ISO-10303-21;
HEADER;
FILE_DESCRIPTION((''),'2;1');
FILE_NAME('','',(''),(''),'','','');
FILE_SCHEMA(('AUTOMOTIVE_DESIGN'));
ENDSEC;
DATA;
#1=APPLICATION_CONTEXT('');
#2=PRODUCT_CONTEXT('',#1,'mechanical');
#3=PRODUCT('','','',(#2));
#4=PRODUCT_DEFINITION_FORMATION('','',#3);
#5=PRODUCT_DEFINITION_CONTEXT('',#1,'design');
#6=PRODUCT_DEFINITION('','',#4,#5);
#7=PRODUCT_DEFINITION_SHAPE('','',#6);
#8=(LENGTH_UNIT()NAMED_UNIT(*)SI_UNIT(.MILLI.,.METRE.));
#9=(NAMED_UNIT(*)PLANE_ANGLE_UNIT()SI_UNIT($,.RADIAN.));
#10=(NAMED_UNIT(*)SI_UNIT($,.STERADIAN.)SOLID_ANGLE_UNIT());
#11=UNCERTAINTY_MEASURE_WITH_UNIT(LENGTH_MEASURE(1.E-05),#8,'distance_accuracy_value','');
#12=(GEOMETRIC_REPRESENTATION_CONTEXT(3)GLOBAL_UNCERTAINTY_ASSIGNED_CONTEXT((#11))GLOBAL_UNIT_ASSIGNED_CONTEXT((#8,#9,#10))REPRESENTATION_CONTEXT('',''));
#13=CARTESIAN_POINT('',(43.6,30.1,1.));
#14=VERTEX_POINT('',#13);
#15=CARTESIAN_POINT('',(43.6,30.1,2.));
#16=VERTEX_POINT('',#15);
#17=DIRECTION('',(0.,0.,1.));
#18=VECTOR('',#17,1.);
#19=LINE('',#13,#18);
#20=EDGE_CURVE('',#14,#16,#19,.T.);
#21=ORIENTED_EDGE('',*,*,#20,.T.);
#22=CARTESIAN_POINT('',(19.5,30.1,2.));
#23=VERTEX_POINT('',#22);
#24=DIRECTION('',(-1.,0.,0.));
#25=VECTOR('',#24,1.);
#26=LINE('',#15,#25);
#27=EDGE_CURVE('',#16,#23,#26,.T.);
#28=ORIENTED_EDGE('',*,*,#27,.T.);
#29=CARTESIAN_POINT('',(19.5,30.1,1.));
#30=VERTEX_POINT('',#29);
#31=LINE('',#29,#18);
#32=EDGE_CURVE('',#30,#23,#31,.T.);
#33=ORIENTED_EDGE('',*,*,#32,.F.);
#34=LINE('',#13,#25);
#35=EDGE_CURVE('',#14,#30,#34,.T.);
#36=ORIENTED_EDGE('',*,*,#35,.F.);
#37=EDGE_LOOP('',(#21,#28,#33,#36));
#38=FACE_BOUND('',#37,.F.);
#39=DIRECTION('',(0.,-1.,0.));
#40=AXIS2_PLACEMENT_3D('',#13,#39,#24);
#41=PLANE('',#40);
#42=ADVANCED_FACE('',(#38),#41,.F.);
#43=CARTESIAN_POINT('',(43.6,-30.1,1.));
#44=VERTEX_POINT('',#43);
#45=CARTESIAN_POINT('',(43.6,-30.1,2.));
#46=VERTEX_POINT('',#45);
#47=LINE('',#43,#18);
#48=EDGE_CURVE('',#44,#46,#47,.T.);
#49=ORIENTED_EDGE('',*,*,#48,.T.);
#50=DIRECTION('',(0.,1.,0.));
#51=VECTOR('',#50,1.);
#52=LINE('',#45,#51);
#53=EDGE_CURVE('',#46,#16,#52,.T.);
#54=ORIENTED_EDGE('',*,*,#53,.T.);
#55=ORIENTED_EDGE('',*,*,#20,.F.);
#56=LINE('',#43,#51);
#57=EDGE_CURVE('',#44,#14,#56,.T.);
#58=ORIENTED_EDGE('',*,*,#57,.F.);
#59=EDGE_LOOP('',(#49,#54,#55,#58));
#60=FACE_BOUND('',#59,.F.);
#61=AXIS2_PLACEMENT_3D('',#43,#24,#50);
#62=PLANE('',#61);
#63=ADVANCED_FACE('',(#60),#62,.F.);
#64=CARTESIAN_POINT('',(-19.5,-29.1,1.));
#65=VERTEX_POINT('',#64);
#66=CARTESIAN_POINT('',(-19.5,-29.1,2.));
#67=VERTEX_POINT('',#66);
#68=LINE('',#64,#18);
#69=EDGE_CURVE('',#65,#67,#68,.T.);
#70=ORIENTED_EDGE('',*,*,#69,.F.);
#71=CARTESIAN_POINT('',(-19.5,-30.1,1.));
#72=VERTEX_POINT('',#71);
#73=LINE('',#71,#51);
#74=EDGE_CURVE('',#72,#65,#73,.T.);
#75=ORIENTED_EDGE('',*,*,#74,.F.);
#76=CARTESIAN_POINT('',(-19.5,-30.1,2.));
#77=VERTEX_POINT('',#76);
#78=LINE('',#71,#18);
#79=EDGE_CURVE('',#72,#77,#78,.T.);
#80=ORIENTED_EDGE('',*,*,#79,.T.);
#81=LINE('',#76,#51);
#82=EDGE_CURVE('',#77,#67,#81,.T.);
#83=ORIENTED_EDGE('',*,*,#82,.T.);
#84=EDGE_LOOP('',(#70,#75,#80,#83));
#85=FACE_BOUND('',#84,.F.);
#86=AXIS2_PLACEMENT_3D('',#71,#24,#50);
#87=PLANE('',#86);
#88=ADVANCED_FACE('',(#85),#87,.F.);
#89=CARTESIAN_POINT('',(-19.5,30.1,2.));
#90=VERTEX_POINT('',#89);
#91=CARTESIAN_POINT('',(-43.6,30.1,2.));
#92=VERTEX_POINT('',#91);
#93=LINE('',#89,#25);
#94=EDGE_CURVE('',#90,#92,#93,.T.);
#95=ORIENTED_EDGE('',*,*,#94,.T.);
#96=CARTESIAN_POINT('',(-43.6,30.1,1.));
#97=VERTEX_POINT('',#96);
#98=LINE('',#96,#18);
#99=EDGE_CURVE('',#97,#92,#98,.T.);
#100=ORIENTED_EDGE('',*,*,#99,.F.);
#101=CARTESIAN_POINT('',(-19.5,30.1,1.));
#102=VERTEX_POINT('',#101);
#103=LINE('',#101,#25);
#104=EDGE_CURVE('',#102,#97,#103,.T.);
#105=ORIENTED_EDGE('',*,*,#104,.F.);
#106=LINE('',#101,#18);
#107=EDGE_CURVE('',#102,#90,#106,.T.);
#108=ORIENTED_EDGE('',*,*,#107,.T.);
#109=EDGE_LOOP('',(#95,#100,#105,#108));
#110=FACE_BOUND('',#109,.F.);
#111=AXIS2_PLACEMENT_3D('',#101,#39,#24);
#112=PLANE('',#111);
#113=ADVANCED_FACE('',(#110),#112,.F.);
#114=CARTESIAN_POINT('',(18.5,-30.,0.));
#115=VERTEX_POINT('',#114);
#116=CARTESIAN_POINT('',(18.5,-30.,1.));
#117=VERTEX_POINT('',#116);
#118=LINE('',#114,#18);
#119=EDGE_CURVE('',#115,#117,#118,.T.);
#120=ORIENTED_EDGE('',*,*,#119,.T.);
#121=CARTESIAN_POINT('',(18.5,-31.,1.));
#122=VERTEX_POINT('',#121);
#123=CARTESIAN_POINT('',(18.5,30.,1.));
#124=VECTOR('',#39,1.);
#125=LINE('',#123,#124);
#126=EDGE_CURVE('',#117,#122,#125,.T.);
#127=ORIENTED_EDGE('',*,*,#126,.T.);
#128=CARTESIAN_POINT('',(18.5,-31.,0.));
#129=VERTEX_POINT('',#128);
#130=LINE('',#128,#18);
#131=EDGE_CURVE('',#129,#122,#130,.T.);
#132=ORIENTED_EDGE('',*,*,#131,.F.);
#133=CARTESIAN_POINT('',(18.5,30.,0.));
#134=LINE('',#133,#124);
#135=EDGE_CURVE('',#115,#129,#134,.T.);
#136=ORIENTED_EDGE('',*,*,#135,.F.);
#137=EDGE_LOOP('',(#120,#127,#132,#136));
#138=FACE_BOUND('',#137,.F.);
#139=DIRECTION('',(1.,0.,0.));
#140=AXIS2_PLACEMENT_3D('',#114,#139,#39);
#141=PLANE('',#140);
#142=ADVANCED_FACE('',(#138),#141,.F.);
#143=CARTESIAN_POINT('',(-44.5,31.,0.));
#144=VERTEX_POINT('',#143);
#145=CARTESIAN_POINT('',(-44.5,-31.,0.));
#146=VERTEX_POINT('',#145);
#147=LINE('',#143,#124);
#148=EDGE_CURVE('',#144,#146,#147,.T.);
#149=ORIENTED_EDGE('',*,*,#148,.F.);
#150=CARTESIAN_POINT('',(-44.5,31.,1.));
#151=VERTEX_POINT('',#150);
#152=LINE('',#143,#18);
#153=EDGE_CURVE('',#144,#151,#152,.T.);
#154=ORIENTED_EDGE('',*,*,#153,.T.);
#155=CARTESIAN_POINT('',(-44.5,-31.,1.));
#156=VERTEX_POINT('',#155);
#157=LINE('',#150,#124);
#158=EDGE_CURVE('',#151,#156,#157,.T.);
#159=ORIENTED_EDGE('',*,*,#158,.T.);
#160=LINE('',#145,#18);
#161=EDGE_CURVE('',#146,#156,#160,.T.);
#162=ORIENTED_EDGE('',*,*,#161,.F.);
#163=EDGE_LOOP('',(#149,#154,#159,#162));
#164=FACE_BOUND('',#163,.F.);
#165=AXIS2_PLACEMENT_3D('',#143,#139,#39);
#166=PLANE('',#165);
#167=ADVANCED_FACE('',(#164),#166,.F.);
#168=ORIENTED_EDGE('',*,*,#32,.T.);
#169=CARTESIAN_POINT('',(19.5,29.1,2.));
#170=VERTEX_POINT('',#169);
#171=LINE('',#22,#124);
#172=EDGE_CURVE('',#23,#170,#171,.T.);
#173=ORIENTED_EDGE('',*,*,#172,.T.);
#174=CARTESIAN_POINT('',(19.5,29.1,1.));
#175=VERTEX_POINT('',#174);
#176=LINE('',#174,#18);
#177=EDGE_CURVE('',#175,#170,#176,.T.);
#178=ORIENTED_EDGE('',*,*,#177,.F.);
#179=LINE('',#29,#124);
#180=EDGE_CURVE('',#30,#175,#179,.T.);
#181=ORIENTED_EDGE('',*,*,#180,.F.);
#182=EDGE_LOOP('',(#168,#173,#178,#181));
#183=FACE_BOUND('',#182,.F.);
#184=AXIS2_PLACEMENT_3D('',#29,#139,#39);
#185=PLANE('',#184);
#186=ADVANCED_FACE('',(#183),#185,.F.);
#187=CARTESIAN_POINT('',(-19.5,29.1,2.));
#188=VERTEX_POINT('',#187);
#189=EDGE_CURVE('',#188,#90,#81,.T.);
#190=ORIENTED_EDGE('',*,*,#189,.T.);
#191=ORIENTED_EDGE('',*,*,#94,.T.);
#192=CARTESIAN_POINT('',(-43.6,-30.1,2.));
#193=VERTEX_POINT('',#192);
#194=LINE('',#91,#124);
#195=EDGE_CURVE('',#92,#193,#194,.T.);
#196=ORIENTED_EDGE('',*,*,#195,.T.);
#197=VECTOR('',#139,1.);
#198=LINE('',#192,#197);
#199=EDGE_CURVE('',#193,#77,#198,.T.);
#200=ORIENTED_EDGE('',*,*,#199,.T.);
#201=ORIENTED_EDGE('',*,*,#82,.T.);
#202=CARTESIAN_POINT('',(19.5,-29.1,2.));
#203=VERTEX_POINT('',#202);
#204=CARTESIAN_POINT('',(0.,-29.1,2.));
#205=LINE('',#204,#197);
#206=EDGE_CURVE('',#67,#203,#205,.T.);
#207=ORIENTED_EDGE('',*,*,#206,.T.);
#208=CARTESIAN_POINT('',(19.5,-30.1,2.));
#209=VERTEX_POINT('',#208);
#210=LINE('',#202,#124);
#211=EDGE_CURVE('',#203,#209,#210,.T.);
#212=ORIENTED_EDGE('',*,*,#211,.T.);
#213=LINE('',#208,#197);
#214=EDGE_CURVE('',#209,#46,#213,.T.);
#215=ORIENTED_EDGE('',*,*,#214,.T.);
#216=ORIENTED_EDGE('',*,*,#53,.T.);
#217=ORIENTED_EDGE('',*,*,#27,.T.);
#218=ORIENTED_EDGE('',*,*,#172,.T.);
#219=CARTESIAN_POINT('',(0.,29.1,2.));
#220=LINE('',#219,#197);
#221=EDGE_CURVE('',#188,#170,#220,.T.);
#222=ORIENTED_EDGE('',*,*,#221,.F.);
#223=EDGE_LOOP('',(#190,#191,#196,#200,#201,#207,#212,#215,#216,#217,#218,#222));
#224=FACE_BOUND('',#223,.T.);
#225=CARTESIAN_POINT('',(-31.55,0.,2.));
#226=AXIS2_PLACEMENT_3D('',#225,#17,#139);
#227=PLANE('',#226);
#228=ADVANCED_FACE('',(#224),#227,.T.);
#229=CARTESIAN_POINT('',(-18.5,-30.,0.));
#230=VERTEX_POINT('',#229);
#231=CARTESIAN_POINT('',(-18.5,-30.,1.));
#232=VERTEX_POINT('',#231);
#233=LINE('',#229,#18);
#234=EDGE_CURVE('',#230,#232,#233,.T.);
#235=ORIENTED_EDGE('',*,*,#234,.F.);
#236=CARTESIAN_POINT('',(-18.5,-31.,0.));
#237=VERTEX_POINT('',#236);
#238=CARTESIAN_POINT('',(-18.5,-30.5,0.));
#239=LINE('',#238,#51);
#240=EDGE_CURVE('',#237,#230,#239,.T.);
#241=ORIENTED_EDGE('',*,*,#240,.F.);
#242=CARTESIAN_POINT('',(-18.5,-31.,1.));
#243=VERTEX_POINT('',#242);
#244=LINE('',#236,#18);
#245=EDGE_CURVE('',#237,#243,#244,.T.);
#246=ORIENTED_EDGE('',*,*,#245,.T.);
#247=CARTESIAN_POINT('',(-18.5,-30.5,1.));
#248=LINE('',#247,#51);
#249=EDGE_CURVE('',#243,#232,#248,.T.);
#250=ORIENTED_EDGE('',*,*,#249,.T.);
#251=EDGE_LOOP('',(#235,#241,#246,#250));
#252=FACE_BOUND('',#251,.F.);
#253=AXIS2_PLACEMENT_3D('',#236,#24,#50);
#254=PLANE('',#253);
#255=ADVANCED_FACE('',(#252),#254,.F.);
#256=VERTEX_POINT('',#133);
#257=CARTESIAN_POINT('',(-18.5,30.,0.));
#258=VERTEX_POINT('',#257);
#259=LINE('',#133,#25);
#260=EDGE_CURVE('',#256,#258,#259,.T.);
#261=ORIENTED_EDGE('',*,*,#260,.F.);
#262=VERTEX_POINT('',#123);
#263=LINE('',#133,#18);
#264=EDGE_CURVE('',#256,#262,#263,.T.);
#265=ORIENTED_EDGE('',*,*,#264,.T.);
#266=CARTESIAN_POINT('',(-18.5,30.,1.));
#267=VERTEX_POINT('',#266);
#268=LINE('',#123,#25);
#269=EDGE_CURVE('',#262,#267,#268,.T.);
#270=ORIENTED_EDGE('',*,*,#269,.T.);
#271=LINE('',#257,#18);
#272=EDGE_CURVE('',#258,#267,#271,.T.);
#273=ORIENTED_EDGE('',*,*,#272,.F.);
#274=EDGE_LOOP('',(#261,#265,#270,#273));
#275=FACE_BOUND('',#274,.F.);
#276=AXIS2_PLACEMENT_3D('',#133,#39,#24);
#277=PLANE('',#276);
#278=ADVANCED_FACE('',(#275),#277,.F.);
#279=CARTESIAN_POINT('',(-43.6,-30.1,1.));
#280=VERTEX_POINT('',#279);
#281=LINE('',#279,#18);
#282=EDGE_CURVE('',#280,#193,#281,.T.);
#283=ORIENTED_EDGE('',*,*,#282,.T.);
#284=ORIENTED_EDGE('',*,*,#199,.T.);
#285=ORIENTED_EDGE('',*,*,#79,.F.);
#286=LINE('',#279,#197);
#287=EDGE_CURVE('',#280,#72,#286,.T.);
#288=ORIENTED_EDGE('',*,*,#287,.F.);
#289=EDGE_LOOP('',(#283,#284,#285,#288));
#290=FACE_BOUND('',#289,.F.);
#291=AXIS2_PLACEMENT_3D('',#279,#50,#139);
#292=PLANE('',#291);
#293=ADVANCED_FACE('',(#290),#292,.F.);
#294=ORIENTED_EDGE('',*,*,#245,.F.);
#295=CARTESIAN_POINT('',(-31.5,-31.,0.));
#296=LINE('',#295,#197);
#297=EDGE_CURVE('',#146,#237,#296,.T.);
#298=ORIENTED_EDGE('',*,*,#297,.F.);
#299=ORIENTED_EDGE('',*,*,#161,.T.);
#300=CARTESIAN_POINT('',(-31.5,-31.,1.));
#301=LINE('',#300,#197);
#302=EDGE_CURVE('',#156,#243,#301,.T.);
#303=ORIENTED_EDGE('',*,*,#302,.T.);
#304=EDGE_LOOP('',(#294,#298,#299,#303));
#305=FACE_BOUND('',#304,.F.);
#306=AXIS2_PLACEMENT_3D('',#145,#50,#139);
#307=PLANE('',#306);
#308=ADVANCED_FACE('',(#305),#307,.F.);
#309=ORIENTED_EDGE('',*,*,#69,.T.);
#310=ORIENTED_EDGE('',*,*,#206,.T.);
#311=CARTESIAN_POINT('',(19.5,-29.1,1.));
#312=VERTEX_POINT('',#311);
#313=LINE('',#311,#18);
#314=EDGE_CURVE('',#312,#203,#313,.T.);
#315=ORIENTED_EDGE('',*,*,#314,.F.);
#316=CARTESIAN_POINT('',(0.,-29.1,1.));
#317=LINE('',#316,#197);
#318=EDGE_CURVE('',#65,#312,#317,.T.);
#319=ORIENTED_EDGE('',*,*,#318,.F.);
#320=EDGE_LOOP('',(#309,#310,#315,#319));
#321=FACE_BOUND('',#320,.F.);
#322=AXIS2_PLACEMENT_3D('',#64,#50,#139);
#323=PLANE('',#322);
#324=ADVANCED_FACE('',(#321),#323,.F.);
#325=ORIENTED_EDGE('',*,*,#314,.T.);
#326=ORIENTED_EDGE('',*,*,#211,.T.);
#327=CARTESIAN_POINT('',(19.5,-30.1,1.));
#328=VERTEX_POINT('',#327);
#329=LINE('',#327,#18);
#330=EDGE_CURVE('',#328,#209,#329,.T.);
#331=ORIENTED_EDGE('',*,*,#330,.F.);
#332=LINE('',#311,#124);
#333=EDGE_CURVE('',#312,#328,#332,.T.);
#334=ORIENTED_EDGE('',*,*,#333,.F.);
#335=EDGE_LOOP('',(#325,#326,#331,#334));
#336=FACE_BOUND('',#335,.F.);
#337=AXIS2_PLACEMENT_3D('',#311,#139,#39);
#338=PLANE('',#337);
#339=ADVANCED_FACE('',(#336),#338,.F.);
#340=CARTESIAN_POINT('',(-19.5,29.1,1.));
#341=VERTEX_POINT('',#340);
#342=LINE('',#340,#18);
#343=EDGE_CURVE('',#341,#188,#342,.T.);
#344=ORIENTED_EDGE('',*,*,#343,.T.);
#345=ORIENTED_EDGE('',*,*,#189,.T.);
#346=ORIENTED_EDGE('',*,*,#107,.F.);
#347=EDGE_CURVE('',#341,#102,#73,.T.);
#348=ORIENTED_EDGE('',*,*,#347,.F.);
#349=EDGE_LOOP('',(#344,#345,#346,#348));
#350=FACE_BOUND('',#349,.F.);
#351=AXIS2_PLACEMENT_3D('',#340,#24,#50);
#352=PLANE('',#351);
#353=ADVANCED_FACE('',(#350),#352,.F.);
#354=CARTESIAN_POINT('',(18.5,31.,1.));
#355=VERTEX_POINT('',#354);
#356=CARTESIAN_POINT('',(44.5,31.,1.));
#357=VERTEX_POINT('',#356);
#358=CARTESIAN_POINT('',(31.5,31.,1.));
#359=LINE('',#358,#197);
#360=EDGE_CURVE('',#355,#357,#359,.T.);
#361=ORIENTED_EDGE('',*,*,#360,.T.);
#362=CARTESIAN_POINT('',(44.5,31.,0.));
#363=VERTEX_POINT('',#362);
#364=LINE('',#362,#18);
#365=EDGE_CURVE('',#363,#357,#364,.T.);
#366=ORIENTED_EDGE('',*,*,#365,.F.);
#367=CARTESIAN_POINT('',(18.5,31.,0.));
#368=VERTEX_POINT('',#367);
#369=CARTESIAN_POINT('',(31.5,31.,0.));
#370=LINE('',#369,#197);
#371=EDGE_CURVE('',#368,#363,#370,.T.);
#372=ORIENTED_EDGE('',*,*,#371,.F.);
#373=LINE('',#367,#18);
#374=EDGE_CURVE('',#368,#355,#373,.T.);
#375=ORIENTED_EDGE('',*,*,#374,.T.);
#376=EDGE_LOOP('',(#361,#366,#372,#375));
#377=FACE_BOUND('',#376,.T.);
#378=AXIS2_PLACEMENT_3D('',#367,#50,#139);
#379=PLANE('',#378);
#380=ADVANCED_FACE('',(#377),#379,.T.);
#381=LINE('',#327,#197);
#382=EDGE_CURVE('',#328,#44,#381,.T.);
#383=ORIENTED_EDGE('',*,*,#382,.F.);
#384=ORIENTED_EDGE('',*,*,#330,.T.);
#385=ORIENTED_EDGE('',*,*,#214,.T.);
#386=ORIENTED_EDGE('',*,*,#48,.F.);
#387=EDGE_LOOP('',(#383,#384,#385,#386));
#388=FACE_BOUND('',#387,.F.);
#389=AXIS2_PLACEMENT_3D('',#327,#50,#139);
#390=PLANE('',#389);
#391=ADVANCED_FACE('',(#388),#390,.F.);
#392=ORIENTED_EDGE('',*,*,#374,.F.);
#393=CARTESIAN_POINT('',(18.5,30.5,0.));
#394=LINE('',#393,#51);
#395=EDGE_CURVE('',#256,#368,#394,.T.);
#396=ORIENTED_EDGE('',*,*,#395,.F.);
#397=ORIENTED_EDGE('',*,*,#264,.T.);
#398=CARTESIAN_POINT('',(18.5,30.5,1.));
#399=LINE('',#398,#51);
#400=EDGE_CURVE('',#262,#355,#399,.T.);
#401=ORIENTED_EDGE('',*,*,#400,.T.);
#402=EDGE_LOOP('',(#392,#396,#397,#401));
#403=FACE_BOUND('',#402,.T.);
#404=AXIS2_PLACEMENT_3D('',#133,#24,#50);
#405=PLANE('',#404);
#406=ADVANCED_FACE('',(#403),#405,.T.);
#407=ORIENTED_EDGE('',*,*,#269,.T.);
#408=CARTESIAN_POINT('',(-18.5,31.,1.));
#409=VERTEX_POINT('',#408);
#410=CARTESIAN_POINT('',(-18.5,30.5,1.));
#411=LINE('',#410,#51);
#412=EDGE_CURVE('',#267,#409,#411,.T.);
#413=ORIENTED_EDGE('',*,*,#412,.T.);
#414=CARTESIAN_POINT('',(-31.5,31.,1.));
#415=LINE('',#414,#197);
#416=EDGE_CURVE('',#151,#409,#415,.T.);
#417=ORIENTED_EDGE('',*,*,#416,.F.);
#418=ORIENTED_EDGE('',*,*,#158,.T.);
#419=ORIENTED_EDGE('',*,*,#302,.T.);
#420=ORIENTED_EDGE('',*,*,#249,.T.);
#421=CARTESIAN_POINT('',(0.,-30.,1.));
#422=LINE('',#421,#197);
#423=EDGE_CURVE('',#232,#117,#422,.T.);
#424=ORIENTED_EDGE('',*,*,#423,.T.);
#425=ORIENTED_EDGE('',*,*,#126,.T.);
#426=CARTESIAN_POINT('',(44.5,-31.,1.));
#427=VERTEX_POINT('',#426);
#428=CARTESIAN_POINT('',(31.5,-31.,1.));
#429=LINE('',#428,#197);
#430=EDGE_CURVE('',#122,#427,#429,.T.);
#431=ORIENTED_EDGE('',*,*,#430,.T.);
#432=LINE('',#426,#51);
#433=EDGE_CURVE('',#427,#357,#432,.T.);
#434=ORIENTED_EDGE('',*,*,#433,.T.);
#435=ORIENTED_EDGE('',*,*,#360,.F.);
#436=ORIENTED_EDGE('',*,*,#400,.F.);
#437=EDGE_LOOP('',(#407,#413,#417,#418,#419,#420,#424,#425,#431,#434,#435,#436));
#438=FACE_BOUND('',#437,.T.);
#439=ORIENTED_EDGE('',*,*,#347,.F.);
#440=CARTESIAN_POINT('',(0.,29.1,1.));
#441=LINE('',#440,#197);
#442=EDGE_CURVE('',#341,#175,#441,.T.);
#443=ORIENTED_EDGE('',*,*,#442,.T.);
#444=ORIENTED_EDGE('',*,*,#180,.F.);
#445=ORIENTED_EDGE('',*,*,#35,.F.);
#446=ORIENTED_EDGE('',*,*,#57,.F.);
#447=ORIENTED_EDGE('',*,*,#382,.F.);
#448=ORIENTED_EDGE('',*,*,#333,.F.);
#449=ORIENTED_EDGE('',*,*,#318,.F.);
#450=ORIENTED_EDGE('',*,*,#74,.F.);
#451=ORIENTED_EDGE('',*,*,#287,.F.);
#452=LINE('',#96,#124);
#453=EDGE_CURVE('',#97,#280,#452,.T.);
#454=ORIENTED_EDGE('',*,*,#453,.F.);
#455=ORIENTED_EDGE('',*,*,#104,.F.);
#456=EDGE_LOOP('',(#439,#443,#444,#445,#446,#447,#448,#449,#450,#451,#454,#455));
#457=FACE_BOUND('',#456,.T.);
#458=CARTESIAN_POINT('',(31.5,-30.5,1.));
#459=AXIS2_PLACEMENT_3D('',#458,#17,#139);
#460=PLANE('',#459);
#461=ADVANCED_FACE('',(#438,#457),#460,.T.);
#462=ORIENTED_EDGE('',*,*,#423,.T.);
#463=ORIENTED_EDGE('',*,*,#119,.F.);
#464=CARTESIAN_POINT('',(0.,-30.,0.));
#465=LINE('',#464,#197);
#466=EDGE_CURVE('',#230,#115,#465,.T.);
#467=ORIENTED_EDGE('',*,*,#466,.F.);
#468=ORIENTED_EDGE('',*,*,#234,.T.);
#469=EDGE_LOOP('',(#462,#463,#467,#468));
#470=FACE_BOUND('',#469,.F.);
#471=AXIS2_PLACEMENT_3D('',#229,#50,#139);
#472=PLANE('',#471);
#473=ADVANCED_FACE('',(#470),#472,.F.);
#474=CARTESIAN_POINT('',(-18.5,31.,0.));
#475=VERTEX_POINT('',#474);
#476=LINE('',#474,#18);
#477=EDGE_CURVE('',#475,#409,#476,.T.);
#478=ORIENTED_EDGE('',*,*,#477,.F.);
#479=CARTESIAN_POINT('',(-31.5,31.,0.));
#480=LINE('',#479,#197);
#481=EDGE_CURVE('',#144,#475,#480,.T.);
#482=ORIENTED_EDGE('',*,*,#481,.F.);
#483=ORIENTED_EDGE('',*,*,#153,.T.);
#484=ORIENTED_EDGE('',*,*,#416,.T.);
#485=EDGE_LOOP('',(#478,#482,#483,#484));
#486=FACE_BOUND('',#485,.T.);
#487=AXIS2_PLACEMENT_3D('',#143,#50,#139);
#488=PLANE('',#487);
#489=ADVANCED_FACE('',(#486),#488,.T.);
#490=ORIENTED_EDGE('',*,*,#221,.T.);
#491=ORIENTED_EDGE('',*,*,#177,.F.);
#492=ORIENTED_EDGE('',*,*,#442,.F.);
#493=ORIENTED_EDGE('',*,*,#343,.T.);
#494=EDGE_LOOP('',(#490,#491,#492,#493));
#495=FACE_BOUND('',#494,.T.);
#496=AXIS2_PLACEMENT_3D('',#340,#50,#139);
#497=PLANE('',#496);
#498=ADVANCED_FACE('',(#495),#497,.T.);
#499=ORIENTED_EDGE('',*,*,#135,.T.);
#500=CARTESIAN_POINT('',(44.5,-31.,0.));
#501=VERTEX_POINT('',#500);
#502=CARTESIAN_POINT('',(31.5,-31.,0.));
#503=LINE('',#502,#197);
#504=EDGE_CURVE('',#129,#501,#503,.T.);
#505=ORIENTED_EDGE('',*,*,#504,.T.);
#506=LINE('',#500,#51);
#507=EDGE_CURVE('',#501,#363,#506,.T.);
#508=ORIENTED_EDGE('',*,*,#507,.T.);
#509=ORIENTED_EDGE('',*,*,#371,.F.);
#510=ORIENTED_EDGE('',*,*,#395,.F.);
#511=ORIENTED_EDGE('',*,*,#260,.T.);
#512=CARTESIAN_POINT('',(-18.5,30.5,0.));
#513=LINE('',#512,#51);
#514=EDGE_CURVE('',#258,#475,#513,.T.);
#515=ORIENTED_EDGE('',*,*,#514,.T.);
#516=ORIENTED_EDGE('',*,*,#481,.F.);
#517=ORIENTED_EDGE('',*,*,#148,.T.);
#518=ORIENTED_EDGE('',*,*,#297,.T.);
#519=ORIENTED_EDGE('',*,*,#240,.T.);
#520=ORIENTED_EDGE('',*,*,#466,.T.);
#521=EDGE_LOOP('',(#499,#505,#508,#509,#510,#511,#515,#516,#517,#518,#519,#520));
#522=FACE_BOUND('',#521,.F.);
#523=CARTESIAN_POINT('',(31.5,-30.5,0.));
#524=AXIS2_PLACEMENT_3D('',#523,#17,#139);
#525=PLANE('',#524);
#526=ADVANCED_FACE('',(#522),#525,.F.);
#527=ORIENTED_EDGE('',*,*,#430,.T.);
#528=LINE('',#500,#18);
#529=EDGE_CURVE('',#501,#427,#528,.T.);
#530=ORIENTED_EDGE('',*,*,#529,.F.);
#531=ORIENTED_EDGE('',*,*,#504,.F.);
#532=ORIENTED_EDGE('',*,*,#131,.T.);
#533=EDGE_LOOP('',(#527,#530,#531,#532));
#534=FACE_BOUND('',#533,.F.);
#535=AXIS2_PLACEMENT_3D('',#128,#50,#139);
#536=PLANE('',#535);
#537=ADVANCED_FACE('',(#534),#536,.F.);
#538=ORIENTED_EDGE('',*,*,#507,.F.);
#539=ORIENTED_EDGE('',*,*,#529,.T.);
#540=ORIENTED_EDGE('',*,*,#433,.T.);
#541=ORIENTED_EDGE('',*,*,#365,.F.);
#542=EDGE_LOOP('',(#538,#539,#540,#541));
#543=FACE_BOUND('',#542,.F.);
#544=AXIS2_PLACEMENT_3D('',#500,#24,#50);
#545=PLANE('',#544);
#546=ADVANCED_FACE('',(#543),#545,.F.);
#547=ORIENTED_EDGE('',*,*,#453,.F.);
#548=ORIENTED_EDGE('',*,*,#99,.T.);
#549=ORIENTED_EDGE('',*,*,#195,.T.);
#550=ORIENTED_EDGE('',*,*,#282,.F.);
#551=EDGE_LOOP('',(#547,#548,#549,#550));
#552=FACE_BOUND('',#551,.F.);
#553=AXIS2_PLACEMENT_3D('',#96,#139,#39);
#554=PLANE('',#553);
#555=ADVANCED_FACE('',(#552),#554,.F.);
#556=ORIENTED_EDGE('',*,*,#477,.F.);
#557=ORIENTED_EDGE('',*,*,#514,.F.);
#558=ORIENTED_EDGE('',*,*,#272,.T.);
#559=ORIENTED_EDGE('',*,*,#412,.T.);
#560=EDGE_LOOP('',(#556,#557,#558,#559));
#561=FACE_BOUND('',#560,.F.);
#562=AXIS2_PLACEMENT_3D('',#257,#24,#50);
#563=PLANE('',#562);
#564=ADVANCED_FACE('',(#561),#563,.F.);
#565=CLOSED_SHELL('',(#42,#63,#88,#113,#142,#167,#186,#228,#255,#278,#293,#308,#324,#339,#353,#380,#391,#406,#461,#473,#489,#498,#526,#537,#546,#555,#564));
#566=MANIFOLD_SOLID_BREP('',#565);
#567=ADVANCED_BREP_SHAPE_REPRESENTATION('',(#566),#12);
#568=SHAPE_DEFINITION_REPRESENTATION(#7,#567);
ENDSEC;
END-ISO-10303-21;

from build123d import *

# Parameters (mm, degrees)
F0_W     = 26
F0_H     = 1
F0_H_2   = 60
F0_W_2   = 37
F1_DEPTH = 1
F2_W     = 39
F2_H     = 58.2
F3_DEPTH = 1


with BuildPart() as f1:
    # F0 (on Top) → F1 (new body)
    with BuildSketch(Plane.XY):
        with Locations((31.5, -30.5)):
            Rectangle(F0_W, F0_H)
        with Locations((31.5, 0)):
            Rectangle(F0_W, F0_H_2)
        Rectangle(F0_W_2, F0_H_2)
        with Locations((31.5, 30.5)):
            Rectangle(F0_W, F0_H)
        with Locations((-31.5, -30.5)):
            Rectangle(F0_W, F0_H)
        with Locations((-31.5, 0)):
            Rectangle(F0_W, F0_H_2)
        with Locations((-31.5, 30.5)):
            Rectangle(F0_W, F0_H)
    extrude(amount=F1_DEPTH)

    # F2 (on face) → F3 (join)
    with BuildSketch(Plane.XY.offset(1)):
        Polygon((-19.5, 30.1), (-43.6, 30.1), (-43.6, -30.1), (-19.5, -30.1), (-19.5, -29.1), (-19.5, 29.1), align=None)
        Rectangle(F2_W, F2_H)
        Polygon((19.5, 30.1), (19.5, 29.1), (19.5, -29.1), (19.5, -30.1), (43.6, -30.1), (43.6, 30.1), align=None)
    extrude(amount=F3_DEPTH)


solid = f1.part
